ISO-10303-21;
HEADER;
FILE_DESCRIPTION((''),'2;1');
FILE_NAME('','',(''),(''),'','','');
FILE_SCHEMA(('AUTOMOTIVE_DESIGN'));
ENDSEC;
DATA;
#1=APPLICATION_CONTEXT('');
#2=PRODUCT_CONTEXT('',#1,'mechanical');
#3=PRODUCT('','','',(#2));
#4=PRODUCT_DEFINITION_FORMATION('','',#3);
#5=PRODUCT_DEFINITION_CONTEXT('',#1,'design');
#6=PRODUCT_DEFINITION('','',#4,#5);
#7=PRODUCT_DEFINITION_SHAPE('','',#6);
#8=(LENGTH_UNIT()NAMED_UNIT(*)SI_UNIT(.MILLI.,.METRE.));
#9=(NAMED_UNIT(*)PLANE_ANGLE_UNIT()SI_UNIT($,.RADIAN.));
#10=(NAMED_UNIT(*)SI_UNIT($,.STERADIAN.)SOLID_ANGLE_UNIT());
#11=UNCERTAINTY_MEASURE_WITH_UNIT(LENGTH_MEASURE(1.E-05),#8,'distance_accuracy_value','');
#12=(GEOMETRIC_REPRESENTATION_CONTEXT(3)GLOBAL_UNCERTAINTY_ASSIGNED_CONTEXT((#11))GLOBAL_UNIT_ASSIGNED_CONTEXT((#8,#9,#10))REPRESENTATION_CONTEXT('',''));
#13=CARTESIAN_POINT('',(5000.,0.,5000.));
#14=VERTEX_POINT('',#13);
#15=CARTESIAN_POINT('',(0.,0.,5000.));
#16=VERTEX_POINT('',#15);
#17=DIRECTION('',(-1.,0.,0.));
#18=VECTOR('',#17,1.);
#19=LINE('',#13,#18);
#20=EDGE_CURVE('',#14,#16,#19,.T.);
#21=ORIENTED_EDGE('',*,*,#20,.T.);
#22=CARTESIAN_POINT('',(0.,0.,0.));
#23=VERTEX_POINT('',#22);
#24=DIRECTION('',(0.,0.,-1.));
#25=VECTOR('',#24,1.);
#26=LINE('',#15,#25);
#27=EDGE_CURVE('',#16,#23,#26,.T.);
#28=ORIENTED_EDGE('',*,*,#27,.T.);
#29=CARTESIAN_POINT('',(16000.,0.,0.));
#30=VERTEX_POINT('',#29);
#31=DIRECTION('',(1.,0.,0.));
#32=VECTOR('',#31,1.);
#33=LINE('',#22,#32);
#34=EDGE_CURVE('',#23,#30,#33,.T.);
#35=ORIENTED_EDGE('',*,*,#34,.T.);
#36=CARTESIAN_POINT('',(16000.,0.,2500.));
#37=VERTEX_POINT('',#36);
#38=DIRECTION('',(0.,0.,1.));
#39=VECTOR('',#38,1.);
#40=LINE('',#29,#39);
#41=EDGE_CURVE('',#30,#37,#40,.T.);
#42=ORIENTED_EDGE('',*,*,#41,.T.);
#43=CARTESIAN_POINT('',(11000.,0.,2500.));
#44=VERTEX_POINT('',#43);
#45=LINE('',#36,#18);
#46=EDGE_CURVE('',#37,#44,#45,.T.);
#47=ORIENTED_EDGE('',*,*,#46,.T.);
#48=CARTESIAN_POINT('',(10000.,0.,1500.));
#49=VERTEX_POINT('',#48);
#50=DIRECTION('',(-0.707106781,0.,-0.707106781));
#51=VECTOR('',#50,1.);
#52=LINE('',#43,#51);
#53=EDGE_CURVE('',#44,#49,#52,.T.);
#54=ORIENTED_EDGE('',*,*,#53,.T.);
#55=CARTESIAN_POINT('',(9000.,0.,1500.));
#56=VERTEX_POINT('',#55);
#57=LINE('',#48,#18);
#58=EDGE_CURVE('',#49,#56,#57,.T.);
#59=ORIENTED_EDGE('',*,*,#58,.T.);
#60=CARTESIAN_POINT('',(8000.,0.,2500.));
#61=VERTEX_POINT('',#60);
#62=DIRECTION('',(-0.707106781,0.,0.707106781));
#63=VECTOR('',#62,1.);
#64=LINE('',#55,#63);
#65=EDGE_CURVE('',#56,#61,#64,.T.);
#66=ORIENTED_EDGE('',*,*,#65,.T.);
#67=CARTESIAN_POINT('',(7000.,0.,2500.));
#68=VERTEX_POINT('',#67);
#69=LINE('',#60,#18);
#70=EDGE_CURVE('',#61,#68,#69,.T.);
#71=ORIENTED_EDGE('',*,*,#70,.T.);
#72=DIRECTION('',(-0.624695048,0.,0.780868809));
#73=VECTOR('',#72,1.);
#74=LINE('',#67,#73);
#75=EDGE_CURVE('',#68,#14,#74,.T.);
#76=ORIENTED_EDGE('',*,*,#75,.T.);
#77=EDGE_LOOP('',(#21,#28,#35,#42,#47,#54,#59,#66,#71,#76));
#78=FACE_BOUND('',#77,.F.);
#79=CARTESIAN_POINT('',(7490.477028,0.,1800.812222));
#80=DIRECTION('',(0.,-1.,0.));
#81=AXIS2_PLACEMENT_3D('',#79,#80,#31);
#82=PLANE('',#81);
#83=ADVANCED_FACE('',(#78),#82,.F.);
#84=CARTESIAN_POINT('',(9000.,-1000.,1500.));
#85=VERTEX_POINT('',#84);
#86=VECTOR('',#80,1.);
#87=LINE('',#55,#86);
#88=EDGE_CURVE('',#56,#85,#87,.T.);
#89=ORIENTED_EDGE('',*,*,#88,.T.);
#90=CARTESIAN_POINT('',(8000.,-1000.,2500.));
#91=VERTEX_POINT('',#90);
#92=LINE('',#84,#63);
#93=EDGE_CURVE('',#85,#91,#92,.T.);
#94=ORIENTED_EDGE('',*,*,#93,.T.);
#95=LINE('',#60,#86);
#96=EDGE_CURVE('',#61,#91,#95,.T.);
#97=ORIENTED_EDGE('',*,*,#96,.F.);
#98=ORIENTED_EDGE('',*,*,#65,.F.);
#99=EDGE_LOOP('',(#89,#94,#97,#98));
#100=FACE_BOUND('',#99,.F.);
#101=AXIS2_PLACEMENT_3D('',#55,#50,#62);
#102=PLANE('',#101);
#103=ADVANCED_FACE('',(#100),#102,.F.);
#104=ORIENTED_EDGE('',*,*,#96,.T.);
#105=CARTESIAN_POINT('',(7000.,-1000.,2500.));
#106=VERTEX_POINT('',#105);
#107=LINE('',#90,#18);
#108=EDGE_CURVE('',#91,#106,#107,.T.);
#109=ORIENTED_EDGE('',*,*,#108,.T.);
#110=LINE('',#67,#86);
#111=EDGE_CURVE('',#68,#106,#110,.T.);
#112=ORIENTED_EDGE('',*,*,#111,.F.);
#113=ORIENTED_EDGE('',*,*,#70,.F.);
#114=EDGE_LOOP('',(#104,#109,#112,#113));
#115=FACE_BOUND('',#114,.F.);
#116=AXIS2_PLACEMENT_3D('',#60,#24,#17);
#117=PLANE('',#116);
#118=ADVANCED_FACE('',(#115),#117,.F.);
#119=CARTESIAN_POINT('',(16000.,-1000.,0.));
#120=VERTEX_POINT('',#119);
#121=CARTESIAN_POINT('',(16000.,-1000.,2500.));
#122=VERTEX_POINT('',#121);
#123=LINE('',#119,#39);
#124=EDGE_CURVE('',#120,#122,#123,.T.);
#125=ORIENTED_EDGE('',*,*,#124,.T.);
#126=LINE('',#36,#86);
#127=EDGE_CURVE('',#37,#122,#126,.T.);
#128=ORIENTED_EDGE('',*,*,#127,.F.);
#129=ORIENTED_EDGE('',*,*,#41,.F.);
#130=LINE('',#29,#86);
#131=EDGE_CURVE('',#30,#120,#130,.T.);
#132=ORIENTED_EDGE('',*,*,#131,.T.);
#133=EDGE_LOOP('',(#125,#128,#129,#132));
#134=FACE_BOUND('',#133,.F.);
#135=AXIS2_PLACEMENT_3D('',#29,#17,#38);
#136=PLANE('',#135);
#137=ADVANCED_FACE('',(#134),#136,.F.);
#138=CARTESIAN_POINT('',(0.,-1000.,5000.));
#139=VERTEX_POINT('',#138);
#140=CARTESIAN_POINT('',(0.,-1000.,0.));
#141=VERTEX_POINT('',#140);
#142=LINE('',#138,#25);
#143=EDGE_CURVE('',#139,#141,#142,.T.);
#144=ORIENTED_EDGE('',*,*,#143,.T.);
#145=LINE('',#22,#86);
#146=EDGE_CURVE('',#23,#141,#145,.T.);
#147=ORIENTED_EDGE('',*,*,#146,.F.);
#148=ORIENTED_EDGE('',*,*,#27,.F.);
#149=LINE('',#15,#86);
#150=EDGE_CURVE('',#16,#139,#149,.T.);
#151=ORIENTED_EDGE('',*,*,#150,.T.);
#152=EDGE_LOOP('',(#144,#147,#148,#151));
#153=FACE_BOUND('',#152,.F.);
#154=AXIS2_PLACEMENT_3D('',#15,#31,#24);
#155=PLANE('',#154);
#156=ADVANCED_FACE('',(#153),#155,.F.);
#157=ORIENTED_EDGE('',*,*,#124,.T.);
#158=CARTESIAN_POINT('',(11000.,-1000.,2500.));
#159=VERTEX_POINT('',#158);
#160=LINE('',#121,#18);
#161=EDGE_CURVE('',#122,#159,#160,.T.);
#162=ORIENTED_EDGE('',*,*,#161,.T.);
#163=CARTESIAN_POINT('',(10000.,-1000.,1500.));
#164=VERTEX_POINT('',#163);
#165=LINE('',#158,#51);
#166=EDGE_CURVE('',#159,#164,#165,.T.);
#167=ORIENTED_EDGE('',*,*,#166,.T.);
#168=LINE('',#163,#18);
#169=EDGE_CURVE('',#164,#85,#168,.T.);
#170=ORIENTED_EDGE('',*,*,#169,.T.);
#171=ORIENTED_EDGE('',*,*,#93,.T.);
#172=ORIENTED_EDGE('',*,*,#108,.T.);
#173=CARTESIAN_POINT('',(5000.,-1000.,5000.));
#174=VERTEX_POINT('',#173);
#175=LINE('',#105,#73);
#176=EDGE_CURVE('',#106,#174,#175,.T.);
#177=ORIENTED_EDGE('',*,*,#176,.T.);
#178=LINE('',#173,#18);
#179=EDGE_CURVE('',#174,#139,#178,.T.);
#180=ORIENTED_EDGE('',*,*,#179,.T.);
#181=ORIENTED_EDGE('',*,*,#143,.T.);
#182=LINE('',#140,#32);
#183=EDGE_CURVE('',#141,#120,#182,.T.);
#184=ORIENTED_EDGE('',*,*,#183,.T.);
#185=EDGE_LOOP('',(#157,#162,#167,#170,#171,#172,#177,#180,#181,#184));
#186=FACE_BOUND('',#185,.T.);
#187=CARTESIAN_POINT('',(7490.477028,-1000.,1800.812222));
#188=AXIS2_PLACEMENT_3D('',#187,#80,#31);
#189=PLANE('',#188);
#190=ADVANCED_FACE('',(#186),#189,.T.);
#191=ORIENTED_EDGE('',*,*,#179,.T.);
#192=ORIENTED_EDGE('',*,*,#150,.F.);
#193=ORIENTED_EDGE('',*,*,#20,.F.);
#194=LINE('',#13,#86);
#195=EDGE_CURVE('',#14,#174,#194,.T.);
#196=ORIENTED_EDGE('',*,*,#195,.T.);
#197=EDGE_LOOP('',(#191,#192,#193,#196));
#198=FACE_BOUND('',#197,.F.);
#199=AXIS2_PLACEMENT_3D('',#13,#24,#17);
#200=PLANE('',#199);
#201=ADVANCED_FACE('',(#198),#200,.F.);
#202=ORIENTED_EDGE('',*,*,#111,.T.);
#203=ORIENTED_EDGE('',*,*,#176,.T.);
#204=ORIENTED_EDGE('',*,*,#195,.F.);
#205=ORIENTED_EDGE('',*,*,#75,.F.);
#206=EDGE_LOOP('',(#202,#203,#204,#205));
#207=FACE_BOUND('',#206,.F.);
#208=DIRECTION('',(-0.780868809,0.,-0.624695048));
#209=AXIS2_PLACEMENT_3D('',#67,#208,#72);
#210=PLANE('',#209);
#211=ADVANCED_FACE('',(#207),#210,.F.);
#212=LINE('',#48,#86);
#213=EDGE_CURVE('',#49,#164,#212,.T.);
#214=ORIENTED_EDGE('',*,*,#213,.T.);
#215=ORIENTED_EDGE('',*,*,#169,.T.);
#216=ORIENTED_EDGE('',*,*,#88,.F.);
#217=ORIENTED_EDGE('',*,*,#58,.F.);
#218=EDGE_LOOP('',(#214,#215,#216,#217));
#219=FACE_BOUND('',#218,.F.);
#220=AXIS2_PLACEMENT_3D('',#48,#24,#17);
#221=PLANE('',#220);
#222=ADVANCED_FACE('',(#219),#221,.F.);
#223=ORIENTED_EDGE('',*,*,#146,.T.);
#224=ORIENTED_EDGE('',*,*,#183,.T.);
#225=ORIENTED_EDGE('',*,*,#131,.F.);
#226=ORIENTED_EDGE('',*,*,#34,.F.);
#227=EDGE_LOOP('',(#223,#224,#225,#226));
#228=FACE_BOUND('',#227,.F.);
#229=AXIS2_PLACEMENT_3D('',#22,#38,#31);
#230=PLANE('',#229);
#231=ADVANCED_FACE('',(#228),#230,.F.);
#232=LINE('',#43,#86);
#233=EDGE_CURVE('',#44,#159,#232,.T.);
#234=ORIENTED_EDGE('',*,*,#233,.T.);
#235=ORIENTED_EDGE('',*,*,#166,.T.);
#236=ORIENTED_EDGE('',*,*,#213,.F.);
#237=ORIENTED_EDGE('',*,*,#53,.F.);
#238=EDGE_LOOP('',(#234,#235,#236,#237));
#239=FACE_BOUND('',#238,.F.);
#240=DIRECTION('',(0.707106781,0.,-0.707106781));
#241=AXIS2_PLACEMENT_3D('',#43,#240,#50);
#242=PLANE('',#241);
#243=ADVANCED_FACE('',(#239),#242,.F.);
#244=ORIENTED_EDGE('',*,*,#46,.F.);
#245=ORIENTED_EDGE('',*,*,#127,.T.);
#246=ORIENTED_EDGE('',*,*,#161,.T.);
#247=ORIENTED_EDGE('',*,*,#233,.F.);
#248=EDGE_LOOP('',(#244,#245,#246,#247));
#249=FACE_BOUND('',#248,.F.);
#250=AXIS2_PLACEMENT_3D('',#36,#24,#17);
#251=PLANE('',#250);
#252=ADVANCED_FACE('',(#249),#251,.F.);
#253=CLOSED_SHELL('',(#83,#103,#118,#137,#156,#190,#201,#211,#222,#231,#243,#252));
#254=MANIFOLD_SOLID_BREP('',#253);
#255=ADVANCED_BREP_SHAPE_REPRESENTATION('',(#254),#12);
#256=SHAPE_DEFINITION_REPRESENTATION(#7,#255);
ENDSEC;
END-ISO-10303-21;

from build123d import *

# Parameters (mm, degrees)
EXTRUDE_DEPTH = 1000


with BuildPart() as part:
    # Sketch → Extrude (new body)
    with BuildSketch(Plane.XZ):
        Polygon((0, 0), (16000, 0), (16000, 2500), (11000, 2500), (10000, 1500), (9000, 1500), (8000, 2500), (7000, 2500), (5000, 5000), (0, 5000), align=None)
    extrude(amount=EXTRUDE_DEPTH)


solid = part.part
